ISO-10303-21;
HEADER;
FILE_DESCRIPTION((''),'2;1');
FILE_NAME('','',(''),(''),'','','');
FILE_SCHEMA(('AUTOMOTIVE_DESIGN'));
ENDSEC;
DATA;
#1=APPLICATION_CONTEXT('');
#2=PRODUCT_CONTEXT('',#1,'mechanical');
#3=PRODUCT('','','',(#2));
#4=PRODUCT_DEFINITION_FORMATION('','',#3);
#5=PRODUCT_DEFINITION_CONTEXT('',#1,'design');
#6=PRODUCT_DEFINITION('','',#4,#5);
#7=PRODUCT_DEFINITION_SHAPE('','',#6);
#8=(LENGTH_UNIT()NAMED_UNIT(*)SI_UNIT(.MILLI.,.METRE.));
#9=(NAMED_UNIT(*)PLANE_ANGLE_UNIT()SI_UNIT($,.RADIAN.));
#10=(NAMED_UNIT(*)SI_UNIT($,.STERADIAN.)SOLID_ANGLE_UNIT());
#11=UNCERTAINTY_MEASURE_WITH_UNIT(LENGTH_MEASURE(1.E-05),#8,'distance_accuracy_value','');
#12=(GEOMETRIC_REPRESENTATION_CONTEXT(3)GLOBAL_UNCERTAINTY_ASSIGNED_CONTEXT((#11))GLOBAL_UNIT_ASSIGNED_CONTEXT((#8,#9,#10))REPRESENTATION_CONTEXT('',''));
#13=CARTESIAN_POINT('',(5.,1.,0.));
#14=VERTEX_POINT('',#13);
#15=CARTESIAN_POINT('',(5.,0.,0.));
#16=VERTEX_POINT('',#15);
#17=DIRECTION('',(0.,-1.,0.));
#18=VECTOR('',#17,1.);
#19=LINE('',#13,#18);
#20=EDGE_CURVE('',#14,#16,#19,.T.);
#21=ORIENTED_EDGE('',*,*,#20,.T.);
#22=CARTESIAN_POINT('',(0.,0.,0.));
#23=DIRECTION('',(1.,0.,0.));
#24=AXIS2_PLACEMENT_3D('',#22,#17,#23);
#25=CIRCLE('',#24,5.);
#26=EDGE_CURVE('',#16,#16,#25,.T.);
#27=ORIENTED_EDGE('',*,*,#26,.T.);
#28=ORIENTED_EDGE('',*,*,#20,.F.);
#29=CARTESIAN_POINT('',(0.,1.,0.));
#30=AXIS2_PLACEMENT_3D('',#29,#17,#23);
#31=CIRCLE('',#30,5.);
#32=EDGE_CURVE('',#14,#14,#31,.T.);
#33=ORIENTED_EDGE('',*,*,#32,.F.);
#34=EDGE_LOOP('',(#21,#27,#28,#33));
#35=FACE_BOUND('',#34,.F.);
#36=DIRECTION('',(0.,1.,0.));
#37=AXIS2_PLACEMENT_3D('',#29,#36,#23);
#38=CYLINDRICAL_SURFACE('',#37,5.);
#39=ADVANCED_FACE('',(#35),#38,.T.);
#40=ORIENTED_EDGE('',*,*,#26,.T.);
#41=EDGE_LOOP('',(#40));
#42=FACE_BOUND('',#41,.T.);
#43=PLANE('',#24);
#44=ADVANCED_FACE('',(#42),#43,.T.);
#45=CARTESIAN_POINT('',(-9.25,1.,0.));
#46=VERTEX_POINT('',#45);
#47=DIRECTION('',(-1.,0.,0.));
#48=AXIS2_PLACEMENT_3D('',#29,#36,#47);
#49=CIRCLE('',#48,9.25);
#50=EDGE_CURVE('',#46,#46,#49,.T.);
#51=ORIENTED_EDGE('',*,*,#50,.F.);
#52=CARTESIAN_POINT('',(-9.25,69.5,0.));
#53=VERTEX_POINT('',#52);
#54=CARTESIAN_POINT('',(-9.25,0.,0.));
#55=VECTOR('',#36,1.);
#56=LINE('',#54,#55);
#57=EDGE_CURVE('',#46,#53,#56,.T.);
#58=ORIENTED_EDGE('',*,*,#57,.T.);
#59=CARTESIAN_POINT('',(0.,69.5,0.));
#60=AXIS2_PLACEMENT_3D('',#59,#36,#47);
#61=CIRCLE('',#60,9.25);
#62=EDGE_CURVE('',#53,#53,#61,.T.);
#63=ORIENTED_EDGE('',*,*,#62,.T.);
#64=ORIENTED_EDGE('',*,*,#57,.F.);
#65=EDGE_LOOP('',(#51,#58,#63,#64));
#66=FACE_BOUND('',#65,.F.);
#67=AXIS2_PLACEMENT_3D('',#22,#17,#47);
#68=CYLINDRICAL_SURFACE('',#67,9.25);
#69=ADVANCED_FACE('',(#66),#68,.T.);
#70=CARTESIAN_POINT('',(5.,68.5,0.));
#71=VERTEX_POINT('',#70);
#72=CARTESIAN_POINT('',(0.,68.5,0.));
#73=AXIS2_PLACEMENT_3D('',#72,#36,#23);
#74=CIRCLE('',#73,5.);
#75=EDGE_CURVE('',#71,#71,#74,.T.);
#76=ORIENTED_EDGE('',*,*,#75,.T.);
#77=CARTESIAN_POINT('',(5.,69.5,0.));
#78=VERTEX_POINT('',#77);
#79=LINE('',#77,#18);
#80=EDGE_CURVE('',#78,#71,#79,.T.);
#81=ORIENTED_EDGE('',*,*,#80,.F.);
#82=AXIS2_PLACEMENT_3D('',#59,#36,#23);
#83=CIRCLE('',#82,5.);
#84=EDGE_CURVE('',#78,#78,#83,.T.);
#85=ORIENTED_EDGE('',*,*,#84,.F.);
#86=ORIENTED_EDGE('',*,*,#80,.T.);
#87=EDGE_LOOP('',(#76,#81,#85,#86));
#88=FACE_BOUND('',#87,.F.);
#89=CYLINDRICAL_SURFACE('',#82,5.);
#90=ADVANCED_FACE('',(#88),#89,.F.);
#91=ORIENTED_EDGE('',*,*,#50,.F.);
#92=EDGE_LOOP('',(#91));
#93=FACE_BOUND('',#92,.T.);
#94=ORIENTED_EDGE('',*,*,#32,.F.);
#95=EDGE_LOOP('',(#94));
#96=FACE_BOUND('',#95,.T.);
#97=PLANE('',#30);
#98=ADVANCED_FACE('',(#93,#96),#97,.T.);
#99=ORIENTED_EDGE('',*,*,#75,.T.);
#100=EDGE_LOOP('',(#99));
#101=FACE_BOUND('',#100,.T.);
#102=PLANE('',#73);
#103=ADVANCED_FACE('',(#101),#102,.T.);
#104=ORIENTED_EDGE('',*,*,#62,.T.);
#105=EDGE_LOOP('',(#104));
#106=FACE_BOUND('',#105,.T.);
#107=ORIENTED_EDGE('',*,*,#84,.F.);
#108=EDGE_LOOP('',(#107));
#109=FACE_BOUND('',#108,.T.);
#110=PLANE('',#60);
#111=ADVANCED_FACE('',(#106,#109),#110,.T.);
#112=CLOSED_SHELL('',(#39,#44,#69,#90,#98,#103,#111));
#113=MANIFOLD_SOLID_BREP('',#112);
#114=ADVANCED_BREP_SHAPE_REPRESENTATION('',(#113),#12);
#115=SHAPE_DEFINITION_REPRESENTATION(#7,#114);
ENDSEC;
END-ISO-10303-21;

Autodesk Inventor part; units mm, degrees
ref_plane "YZ Plane" through (0, 0, 0) normal (1, 0, 0) x (0, 1, 0)
ref_plane "XZ Plane" through (0, 0, 0) normal (0, 1, 0) x (-1, 0, 0)
ref_plane "XY Plane" through (0, 0, 0) normal (0, 0, 1) x (1, 0, 0)
sketch "스케치1" plane through (0, 0, 0) normal (0, 1, 0) x (-1, 0, 0)
  circle A0 centre (0, 0) radius 9.25
  dimension "d0" = 18.5
extrude "돌출1" add sketch "스케치1" along normal blind 69.5
sketch "스케치2" plane through (0, 69.5, 0) normal (0, 1, 0) x (1, 0, 0)
  circle A0 centre (0, 0) radius 5
  dimension "d3" = 10
extrude "돌출2" cut sketch "스케치2" against normal blind 1
sketch "스케치3" plane through (0, 0, 0) normal (0, -1, 0) x (1, 0, 0)
  circle A0 centre (0, 0) radius 9.25 projected
extrude "돌출3" cut sketch "스케치3" against normal blind 1
sketch "스케치4" plane through (0, 1, 0) normal (0, -1, 0) x (1, 0, 0)
  circle A0 centre (0, 0) radius 5
  dimension "d8" = 10
extrude "돌출4" add sketch "스케치4" along normal blind 1
properties part number "건전지"
